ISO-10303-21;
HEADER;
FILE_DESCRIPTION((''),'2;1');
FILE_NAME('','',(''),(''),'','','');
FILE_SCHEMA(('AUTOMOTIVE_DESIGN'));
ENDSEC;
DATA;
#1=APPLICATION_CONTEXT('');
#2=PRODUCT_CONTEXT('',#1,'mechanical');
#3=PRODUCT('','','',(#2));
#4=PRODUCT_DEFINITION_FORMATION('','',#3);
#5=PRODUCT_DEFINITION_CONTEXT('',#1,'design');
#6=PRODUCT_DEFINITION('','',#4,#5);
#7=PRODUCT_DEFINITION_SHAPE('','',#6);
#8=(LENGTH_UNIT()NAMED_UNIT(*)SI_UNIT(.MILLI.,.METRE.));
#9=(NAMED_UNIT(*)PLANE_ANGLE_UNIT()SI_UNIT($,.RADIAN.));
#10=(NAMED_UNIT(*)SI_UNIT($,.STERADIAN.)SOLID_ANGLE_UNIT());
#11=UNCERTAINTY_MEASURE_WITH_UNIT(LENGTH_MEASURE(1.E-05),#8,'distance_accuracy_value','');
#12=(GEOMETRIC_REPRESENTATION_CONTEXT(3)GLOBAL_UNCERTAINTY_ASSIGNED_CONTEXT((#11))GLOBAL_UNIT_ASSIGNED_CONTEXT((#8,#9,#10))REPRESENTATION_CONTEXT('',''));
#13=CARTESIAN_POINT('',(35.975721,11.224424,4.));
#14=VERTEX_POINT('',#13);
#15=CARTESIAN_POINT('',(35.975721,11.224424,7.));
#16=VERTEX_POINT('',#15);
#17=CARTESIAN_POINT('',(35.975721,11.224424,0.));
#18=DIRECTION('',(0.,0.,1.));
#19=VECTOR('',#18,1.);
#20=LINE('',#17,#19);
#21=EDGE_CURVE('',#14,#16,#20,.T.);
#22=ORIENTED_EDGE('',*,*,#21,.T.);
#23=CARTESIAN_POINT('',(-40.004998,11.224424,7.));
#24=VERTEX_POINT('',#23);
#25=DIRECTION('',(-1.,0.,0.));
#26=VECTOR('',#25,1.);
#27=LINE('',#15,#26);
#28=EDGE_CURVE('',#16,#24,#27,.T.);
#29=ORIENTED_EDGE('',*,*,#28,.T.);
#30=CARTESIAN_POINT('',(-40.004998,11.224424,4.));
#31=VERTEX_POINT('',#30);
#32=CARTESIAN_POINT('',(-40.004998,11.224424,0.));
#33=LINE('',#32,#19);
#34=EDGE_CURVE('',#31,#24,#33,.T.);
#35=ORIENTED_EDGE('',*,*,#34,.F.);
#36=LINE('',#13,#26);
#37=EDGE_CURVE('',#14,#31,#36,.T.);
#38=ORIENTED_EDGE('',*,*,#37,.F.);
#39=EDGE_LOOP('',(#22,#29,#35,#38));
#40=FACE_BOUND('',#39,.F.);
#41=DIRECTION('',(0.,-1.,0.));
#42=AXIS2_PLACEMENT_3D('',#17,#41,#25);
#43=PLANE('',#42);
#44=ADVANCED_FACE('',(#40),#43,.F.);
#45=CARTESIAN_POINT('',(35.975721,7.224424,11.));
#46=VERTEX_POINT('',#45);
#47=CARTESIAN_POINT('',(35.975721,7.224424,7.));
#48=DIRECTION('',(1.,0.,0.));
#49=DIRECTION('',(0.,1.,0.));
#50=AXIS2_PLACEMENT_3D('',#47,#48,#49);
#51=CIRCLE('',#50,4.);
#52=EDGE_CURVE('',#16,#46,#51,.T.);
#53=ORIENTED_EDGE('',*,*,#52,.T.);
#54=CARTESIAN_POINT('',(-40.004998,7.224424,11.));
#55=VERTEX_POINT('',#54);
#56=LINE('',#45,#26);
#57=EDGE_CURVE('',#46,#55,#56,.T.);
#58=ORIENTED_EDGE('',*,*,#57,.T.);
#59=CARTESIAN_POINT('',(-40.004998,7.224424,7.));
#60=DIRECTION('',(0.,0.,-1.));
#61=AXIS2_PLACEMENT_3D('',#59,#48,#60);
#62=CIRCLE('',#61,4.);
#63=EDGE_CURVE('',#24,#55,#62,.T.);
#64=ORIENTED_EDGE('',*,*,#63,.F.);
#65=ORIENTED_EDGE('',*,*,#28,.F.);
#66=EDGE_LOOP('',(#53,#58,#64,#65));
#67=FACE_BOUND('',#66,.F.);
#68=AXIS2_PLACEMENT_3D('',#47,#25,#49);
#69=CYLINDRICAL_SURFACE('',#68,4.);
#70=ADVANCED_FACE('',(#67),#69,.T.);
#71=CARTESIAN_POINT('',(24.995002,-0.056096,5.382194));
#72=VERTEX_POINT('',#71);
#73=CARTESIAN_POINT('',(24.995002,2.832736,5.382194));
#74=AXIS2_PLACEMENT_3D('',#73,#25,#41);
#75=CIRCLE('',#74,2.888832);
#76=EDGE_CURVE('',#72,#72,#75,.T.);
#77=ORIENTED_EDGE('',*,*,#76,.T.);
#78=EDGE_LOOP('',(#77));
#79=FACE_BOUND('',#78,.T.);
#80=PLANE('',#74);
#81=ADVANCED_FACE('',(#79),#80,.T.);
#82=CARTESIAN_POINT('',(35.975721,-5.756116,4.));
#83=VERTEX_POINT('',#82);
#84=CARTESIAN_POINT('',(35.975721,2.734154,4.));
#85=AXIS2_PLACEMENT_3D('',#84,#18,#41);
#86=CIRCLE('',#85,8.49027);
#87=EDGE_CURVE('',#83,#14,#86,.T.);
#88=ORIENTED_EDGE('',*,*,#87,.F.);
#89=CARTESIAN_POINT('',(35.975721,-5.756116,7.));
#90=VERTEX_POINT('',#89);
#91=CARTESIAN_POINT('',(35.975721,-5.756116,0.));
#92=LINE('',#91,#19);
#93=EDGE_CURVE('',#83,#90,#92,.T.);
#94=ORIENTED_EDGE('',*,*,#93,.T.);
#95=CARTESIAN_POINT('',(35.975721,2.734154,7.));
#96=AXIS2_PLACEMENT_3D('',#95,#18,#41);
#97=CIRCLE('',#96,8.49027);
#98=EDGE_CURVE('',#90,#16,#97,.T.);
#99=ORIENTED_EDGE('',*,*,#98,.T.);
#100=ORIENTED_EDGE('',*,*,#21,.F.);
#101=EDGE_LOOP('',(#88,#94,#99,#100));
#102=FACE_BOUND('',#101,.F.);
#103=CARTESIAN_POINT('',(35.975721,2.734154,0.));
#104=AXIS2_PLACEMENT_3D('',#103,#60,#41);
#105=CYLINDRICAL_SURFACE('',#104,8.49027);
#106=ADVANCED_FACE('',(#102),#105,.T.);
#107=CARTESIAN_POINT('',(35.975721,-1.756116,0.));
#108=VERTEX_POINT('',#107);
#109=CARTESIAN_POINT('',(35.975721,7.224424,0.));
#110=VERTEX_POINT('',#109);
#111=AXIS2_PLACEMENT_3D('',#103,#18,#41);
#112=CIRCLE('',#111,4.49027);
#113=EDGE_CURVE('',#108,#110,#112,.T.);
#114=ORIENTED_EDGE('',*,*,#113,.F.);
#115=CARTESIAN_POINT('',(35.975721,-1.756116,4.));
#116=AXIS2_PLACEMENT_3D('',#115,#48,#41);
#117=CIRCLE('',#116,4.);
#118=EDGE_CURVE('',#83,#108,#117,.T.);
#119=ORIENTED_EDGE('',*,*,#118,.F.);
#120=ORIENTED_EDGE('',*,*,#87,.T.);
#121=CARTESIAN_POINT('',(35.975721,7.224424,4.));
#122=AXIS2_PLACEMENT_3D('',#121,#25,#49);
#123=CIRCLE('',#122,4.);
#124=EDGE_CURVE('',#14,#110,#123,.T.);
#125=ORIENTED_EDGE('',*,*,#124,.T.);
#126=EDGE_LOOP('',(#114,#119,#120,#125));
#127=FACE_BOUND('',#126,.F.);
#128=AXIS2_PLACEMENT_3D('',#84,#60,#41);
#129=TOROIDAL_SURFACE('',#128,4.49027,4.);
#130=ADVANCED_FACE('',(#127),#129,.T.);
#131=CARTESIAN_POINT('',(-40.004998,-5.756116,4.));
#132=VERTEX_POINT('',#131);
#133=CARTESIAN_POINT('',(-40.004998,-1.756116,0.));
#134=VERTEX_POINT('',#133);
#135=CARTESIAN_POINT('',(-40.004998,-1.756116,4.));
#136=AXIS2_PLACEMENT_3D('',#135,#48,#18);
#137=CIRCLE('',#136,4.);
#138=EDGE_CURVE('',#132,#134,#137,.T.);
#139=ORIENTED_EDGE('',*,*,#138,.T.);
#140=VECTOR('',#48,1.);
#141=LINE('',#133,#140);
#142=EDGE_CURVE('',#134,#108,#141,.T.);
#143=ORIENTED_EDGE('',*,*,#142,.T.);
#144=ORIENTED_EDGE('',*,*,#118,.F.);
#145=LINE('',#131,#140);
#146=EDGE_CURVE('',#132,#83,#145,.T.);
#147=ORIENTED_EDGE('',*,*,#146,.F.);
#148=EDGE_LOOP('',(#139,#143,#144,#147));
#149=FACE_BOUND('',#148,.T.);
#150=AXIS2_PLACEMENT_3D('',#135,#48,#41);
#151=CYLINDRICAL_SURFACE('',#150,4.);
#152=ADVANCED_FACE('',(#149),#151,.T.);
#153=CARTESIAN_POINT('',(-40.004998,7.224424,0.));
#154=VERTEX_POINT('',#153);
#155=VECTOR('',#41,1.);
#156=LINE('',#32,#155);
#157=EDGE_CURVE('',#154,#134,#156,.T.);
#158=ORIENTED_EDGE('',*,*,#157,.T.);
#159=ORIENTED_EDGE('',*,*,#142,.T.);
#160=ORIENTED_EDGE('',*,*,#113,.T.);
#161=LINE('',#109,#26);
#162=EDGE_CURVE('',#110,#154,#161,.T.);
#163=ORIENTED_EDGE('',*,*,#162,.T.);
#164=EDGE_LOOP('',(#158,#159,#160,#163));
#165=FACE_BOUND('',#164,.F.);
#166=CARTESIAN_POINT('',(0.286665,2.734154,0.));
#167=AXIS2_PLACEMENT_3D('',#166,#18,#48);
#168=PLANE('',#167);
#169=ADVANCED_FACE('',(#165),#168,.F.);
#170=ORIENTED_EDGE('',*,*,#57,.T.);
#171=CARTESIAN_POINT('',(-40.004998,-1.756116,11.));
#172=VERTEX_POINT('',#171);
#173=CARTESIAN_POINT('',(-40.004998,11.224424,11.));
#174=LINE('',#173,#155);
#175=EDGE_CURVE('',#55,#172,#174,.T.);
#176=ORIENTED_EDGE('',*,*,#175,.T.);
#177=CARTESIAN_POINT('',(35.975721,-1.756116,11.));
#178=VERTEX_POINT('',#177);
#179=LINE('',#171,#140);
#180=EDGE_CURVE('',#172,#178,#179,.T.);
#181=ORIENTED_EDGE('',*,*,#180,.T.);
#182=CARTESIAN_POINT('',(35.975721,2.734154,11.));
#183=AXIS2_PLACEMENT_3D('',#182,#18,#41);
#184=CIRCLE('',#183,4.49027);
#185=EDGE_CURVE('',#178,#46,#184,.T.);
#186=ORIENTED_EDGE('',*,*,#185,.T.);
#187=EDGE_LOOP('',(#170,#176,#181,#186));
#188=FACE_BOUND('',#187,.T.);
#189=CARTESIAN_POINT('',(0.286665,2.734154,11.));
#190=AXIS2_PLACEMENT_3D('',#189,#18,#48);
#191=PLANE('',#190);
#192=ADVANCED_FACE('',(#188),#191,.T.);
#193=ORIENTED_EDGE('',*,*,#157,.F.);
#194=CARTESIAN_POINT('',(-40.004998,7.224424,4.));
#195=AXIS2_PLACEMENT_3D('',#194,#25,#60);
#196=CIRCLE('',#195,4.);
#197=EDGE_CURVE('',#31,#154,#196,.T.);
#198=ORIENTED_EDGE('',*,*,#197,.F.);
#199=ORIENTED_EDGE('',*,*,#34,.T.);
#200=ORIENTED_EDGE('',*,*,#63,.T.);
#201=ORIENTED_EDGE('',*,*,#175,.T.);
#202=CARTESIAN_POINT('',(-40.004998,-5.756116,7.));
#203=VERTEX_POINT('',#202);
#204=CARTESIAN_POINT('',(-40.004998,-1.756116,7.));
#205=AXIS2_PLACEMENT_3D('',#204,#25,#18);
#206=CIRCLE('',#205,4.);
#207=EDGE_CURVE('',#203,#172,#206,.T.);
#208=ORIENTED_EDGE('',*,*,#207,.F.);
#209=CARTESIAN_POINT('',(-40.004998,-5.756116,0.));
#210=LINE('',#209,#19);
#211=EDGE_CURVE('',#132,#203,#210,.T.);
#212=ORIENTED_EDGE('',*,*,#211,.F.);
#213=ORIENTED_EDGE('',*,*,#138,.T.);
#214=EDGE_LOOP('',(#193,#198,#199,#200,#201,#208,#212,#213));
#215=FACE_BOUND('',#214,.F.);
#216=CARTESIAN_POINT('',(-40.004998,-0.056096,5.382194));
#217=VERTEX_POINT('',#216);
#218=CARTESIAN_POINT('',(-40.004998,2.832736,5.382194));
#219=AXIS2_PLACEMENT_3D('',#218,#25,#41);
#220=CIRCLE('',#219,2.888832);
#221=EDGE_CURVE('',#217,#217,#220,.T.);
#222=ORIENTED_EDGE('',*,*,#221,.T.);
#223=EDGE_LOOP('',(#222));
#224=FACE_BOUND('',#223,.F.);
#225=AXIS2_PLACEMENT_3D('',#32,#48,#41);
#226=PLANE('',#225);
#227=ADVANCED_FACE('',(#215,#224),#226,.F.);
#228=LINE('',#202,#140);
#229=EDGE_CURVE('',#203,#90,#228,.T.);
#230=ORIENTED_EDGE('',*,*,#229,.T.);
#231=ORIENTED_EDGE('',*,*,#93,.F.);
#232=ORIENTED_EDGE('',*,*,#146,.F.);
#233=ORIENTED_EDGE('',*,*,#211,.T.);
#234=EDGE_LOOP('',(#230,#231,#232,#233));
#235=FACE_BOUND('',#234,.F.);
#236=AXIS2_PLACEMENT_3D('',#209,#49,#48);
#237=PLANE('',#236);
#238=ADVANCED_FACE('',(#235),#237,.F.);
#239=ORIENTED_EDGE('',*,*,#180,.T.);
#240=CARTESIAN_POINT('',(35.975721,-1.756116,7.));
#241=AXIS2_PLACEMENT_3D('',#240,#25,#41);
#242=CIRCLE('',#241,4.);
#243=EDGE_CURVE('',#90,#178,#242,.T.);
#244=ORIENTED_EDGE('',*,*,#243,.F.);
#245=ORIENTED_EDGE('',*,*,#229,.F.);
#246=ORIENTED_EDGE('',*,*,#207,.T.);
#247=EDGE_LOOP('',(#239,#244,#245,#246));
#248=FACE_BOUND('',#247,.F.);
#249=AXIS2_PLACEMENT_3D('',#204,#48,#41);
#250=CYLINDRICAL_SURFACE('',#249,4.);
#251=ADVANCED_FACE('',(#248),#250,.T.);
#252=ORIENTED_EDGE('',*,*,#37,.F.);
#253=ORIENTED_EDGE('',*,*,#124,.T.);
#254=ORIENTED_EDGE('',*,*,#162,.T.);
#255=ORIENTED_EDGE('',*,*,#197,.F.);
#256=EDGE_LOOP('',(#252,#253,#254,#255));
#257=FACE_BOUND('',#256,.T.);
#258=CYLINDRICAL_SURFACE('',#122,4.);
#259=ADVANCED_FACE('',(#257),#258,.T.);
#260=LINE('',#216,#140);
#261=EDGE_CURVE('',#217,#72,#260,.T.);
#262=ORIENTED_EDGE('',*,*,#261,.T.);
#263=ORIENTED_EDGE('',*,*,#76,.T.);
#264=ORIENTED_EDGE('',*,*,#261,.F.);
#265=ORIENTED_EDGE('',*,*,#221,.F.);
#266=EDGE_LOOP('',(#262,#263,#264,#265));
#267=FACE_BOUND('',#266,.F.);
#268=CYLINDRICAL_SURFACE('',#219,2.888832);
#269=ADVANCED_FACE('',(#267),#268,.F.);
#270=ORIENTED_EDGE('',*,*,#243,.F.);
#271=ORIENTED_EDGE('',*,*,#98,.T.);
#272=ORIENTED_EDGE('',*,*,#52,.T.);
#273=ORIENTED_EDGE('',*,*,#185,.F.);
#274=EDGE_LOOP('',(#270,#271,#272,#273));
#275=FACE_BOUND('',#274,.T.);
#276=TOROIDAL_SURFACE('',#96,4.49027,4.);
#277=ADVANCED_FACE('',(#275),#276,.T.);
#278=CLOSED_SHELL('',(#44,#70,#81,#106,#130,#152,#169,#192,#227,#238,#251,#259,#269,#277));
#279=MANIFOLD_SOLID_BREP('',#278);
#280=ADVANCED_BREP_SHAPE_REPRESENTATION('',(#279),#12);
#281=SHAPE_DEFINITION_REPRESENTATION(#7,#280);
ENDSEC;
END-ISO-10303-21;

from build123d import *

# Parameters (mm, degrees)
F1_DEPTH = 11
F2_R     = 4
F3_R     = 4
F4_R     = 2.888832
F5_DEPTH = 65


with BuildPart() as f1:
    # F0 (on Top) → F1 (new body)
    with BuildSketch(Plane.XY):
        with BuildLine():
            Line((35.975721, 11.224424), (-40.004998, 11.224424))
            Line((-40.004998, 11.224424), (-40.004998, -5.756116))
            Line((-40.004998, -5.756116), (35.975721, -5.756116))
            ThreePointArc((35.975721, -5.756116), (44.465991, 2.734154), (35.975721, 11.224424))
        make_face()
    extrude(amount=F1_DEPTH)

    # F2
    f2_edges = [f1.edges().sort_by_distance(p)[0] for p in [
        (-2.014639, -5.756116, 11),
        (44.465991, 2.734154, 11),
        (-2.014639, 11.224424, 11),
    ]]
    fillet(f2_edges, radius=F2_R)

    # F3
    f3_edges = [f1.edges().sort_by_distance(p)[0] for p in [
        (-2.014639, 11.224424, 0),
        (-2.014639, -5.756116, 0),
        (44.465991, 2.734154, 0),
    ]]
    fillet(f3_edges, radius=F3_R)

    # F4 (on face) → F5 (cut)
    with BuildSketch(Plane(origin=(-40.004998, 0, 0), x_dir=(0, -1, 0), z_dir=(-1, 0, 0))):
        with Locations((-2.832736, 5.382194)):
            Circle(F4_R)
    extrude(amount=-F5_DEPTH, mode=Mode.SUBTRACT)


solid = f1.part
